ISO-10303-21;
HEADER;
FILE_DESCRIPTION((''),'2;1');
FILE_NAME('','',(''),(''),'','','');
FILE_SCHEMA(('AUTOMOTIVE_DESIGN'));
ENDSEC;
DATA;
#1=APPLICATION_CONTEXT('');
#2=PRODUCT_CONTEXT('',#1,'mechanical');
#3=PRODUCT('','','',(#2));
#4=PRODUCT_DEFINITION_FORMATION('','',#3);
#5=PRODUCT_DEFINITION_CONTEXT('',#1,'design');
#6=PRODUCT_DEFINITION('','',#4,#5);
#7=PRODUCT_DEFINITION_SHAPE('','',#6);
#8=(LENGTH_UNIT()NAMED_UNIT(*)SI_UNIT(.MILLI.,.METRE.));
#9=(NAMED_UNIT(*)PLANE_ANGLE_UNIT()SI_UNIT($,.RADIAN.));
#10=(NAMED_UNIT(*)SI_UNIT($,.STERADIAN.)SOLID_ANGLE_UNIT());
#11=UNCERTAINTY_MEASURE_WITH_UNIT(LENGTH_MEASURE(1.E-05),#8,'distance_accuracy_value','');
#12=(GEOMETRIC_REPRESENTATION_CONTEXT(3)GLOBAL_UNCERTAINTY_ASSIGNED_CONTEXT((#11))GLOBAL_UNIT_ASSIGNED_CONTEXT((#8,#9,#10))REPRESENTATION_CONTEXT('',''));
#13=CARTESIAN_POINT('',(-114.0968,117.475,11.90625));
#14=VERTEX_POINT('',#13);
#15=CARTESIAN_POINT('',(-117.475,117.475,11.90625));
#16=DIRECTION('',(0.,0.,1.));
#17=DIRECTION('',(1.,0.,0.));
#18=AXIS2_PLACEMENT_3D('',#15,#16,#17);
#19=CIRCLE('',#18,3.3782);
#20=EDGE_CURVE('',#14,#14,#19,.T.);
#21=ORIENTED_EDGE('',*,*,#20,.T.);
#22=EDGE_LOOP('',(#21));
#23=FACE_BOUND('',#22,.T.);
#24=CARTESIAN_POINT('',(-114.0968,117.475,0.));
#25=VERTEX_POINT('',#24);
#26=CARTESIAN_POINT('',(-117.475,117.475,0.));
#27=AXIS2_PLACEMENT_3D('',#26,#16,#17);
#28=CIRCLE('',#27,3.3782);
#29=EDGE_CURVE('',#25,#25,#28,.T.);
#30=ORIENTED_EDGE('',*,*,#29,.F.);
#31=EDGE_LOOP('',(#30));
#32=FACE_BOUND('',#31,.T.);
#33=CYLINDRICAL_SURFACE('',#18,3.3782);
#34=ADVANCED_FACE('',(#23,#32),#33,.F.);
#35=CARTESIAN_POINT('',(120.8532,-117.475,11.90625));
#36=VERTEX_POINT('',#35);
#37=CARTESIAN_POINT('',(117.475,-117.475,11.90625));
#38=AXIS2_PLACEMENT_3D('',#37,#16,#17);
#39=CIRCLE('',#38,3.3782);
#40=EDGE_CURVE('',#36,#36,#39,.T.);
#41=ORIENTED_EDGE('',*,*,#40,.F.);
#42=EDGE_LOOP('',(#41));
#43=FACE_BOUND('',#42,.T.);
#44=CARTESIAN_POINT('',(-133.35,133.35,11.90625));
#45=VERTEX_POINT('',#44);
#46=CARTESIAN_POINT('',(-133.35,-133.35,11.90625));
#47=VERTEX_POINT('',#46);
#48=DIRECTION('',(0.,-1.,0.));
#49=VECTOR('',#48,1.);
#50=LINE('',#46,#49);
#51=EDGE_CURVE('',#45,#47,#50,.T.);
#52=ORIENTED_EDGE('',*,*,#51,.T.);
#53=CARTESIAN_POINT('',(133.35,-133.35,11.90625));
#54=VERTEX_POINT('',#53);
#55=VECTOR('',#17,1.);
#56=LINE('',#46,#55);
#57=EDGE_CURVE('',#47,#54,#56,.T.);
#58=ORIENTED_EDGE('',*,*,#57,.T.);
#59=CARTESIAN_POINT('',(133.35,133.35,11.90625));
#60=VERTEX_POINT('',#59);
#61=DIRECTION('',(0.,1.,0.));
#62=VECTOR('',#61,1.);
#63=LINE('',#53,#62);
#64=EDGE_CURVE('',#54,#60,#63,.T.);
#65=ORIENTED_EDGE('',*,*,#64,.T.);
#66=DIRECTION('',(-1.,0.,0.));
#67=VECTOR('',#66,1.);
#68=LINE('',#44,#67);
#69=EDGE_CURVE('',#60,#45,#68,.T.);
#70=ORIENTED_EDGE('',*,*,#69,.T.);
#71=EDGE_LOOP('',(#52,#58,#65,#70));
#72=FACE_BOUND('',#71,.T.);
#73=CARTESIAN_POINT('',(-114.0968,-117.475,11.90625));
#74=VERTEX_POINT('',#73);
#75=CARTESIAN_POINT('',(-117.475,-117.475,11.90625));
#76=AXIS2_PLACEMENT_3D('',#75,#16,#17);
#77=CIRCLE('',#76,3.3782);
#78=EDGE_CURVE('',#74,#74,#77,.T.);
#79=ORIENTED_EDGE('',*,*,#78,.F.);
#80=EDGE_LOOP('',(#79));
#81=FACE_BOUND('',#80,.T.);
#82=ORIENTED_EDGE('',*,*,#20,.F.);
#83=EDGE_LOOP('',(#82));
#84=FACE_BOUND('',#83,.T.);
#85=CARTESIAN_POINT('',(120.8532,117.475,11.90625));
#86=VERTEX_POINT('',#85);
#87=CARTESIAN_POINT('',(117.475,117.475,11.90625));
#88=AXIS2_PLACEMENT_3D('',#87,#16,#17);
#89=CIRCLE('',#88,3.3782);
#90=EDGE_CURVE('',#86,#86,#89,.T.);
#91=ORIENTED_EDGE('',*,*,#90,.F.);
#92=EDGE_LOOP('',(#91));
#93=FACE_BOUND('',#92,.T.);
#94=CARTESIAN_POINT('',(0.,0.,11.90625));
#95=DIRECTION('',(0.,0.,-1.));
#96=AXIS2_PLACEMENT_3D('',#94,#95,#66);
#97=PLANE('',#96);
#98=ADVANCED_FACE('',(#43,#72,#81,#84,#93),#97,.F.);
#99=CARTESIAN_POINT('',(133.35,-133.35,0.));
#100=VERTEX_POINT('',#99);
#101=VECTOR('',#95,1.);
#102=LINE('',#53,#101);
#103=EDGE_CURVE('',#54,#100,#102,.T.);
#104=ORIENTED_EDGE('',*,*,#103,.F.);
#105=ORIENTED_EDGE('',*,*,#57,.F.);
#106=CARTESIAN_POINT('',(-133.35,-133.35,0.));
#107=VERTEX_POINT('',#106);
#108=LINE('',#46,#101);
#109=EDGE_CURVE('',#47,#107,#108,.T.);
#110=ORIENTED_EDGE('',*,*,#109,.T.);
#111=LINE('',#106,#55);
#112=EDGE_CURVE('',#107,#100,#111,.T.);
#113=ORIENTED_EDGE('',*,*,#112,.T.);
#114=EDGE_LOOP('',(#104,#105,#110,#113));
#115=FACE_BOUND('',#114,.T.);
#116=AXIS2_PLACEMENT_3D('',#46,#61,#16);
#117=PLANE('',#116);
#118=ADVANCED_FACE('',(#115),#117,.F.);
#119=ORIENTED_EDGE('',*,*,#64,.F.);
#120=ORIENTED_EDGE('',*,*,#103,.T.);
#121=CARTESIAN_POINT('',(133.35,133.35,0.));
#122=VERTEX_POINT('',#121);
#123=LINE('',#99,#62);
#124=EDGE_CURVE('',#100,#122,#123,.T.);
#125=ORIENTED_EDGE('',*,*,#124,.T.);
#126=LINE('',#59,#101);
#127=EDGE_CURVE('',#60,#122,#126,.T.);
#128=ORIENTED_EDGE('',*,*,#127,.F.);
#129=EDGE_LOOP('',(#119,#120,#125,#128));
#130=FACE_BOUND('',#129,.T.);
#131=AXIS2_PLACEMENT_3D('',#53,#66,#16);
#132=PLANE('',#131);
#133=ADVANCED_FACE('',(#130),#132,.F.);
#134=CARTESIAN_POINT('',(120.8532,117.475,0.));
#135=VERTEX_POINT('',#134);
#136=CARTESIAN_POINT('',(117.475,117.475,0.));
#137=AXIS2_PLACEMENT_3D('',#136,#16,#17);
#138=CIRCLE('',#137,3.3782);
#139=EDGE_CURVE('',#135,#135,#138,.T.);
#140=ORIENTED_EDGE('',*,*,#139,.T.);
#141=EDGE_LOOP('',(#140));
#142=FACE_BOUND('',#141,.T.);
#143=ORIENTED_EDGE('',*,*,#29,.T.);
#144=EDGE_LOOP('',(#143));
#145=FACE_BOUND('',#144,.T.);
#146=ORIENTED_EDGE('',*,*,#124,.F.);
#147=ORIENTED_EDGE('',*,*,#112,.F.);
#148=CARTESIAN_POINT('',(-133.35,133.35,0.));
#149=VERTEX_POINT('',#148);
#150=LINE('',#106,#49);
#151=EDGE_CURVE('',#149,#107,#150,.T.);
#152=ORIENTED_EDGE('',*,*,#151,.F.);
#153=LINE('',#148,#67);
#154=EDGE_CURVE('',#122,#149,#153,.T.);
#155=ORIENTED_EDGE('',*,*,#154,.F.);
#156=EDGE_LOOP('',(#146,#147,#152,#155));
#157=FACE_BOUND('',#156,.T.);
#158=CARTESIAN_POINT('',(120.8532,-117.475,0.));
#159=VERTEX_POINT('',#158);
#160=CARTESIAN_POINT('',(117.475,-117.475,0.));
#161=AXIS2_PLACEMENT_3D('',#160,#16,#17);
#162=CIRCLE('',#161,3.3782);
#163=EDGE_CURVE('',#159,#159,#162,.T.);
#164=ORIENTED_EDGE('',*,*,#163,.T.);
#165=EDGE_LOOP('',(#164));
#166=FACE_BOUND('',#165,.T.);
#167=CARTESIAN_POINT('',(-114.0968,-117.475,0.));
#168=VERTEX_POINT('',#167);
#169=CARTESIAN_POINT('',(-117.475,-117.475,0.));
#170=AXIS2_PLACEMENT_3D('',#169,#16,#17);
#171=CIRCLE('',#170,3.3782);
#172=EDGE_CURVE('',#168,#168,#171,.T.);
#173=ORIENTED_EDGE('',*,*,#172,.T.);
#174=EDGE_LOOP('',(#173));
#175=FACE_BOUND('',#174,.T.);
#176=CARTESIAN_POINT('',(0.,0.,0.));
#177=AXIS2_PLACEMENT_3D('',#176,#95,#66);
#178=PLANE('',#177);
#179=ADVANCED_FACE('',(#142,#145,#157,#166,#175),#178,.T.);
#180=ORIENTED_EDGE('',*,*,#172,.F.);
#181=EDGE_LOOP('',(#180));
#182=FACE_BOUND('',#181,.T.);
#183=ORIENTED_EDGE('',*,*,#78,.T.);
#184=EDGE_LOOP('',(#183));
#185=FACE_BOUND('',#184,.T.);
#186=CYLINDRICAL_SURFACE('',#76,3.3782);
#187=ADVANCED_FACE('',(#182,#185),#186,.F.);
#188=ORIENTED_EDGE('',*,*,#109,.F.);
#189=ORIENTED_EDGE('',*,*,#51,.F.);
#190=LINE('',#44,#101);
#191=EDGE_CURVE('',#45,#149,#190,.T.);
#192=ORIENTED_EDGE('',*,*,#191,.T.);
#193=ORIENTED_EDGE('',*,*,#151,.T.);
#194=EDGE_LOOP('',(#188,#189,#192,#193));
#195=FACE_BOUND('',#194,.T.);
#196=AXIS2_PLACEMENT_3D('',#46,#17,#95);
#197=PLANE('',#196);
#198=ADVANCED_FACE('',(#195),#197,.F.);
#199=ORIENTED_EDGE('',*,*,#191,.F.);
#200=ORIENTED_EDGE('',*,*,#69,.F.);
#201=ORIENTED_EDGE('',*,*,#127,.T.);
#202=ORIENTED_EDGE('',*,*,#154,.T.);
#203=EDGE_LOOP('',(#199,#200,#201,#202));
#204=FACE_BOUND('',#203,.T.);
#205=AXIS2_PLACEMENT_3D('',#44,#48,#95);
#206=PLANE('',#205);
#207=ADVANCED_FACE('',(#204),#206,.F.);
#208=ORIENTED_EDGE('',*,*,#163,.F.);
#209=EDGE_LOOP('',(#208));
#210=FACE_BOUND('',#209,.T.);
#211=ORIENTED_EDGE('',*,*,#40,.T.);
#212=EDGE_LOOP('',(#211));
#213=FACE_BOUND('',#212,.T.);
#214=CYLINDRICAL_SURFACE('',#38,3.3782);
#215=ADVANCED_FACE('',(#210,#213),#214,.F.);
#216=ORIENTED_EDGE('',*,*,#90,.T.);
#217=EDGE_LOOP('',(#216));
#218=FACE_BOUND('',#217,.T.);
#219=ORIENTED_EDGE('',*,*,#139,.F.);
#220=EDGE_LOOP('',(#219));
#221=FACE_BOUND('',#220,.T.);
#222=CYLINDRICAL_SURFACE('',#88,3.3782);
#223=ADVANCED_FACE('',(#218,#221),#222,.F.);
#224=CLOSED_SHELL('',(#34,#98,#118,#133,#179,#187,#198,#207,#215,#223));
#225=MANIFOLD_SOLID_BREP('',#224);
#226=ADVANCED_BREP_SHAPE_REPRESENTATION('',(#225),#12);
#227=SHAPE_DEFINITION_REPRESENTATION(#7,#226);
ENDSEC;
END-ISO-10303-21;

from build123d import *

# Parameters (mm, degrees)
SKETCH1_W               = 266.7
SKETCH1_H               = 266.7
BOSS_EXTRUDE1_DEPTH     = 11.90625
F_1_4_CLEARANCE_HOLE1_D = 6.7564


with BuildPart() as part:
    # Sketch1 → Boss-Extrude1 (new body)
    with BuildSketch(Plane.XY):
        Rectangle(SKETCH1_W, SKETCH1_H)
    extrude(amount=BOSS_EXTRUDE1_DEPTH)

    # 1/4 Clearance Hole1 (through all)
    with Locations(Plane.XY.offset(11.90625)):
        with Locations((-117.475, 117.475), (117.475, 117.475), (117.475, -117.475), (-117.475, -117.475)):
            Hole(F_1_4_CLEARANCE_HOLE1_D / 2)


solid = part.part
